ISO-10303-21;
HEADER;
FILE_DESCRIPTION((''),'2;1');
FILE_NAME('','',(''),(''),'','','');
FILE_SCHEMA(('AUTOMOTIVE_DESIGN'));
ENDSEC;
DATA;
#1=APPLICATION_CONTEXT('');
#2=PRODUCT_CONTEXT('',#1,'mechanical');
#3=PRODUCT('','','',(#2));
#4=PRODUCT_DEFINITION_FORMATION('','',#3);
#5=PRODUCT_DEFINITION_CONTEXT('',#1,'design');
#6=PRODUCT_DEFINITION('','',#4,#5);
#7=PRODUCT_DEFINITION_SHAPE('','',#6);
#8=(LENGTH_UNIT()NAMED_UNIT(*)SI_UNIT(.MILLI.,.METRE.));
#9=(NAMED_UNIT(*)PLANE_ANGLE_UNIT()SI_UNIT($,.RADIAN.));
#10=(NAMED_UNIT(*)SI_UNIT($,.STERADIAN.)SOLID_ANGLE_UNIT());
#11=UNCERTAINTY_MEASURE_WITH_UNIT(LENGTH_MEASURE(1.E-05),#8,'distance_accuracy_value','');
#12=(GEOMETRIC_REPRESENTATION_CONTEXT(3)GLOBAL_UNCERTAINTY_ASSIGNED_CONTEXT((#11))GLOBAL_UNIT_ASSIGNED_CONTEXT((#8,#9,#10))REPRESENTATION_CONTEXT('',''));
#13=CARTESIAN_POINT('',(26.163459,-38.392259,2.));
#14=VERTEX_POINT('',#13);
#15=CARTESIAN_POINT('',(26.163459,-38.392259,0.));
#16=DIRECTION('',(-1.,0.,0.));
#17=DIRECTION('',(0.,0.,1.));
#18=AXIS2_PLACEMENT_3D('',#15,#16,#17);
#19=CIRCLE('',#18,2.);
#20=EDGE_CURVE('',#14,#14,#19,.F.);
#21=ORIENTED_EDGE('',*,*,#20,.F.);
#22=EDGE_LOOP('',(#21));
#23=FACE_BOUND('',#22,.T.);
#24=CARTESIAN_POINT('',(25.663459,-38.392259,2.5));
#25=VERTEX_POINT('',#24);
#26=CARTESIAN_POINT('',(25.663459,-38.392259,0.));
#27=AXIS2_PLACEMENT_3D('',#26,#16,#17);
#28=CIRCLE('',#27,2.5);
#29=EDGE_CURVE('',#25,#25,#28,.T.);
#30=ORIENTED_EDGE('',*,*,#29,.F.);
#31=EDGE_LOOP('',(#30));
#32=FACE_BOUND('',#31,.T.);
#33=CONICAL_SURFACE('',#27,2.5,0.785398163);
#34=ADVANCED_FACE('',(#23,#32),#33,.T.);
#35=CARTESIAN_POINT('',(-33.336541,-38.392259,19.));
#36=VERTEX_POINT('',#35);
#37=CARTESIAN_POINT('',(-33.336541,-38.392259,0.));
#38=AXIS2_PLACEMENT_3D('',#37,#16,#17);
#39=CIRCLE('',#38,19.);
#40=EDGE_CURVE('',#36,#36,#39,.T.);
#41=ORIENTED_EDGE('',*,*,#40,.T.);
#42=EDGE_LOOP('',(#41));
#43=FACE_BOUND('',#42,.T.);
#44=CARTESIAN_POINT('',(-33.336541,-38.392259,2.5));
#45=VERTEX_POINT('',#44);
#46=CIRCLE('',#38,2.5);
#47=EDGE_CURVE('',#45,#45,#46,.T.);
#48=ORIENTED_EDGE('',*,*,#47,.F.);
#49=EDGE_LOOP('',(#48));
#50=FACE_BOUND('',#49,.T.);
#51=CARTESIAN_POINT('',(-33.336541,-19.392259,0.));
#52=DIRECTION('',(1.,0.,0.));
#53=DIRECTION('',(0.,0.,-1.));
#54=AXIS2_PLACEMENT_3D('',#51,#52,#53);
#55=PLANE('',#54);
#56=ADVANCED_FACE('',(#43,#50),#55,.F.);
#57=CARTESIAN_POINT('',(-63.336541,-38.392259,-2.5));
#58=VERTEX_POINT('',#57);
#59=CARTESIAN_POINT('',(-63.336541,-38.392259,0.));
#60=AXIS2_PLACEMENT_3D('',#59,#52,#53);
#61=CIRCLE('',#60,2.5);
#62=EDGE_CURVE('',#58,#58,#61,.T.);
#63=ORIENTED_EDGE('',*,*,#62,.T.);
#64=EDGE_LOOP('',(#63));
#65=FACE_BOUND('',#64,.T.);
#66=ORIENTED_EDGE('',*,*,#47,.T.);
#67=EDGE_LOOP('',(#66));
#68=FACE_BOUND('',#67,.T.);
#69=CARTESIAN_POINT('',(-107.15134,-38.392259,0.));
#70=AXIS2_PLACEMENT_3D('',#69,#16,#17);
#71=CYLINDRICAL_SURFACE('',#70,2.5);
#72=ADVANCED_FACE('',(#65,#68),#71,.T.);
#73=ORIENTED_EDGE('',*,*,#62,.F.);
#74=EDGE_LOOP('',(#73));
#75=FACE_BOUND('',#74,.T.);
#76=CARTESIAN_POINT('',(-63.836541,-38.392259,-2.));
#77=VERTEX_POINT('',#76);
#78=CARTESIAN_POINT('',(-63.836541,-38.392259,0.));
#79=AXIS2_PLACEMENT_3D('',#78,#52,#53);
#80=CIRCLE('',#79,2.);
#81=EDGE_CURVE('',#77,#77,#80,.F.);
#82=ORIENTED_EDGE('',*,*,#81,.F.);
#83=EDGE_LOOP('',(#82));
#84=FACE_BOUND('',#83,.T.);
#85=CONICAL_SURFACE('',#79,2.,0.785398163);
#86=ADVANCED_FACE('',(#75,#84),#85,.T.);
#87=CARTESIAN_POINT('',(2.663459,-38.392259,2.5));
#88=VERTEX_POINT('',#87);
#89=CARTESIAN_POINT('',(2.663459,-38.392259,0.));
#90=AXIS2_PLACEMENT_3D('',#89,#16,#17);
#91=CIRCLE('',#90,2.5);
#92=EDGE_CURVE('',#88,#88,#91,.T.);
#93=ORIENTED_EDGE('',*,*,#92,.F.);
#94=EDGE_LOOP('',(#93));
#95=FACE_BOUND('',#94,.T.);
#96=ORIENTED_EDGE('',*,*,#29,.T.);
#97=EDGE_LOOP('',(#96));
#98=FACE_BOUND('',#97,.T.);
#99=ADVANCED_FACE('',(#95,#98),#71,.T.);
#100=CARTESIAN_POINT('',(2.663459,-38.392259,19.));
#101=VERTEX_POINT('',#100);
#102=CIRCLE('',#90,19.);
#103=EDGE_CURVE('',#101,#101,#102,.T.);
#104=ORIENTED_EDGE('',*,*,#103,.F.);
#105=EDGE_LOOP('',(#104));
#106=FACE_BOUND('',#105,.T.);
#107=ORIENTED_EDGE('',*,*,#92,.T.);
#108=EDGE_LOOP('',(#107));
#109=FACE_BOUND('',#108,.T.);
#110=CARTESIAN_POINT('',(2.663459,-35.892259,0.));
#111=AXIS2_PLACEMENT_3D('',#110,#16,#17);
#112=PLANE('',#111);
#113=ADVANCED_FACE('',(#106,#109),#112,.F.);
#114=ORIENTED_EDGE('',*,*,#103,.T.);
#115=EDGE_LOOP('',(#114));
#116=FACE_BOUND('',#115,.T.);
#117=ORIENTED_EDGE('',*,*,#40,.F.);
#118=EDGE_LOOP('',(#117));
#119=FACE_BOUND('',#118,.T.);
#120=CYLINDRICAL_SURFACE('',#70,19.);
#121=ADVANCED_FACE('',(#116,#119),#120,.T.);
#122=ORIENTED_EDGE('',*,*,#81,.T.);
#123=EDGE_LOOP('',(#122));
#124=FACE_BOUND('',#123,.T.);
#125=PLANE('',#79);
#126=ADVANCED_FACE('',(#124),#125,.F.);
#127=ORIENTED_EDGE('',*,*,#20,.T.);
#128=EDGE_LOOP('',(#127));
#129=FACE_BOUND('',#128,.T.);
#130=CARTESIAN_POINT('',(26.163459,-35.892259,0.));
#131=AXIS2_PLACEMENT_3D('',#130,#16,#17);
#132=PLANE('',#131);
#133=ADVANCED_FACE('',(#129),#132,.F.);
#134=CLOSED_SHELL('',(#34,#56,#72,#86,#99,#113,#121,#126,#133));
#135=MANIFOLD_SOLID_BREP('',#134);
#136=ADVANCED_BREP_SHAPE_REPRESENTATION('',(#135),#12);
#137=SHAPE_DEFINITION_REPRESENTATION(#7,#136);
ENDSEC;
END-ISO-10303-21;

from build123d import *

# Parameters (mm, degrees)
CHANFREIN1_SIZE = 0.5


with BuildPart() as part:
    # Esquisse1 → Révolution1 (revolve)
    with BuildSketch(Plane.XY, mode=Mode.PRIVATE) as r_volution1_sk:
        Polygon((-33.336541, -19.392259), (2.663459, -19.392259), (2.663459, -35.892259), (26.163459, -35.892259), (26.163459, -38.392259), (-63.836541, -38.392259), (-63.836541, -35.892259), (-33.336541, -35.892259), align=None)
    revolve(r_volution1_sk.sketch.rotate(Axis((-107.151340206, -38.392259, 0), (1, 0, 0)), 90), axis=Axis((-107.151340206, -38.392259, 0), (1, 0, 0)))  # turned: the seam where the file's is

    # Chanfrein1
    chanfrein1_edges = [part.edges().sort_by_distance(p)[0] for p in [
        (26.163459, -38.392259, -2.5),
        (-63.836541, -38.392259, -2.5),
    ]]
    chamfer(chanfrein1_edges, length=CHANFREIN1_SIZE)


solid = part.part
